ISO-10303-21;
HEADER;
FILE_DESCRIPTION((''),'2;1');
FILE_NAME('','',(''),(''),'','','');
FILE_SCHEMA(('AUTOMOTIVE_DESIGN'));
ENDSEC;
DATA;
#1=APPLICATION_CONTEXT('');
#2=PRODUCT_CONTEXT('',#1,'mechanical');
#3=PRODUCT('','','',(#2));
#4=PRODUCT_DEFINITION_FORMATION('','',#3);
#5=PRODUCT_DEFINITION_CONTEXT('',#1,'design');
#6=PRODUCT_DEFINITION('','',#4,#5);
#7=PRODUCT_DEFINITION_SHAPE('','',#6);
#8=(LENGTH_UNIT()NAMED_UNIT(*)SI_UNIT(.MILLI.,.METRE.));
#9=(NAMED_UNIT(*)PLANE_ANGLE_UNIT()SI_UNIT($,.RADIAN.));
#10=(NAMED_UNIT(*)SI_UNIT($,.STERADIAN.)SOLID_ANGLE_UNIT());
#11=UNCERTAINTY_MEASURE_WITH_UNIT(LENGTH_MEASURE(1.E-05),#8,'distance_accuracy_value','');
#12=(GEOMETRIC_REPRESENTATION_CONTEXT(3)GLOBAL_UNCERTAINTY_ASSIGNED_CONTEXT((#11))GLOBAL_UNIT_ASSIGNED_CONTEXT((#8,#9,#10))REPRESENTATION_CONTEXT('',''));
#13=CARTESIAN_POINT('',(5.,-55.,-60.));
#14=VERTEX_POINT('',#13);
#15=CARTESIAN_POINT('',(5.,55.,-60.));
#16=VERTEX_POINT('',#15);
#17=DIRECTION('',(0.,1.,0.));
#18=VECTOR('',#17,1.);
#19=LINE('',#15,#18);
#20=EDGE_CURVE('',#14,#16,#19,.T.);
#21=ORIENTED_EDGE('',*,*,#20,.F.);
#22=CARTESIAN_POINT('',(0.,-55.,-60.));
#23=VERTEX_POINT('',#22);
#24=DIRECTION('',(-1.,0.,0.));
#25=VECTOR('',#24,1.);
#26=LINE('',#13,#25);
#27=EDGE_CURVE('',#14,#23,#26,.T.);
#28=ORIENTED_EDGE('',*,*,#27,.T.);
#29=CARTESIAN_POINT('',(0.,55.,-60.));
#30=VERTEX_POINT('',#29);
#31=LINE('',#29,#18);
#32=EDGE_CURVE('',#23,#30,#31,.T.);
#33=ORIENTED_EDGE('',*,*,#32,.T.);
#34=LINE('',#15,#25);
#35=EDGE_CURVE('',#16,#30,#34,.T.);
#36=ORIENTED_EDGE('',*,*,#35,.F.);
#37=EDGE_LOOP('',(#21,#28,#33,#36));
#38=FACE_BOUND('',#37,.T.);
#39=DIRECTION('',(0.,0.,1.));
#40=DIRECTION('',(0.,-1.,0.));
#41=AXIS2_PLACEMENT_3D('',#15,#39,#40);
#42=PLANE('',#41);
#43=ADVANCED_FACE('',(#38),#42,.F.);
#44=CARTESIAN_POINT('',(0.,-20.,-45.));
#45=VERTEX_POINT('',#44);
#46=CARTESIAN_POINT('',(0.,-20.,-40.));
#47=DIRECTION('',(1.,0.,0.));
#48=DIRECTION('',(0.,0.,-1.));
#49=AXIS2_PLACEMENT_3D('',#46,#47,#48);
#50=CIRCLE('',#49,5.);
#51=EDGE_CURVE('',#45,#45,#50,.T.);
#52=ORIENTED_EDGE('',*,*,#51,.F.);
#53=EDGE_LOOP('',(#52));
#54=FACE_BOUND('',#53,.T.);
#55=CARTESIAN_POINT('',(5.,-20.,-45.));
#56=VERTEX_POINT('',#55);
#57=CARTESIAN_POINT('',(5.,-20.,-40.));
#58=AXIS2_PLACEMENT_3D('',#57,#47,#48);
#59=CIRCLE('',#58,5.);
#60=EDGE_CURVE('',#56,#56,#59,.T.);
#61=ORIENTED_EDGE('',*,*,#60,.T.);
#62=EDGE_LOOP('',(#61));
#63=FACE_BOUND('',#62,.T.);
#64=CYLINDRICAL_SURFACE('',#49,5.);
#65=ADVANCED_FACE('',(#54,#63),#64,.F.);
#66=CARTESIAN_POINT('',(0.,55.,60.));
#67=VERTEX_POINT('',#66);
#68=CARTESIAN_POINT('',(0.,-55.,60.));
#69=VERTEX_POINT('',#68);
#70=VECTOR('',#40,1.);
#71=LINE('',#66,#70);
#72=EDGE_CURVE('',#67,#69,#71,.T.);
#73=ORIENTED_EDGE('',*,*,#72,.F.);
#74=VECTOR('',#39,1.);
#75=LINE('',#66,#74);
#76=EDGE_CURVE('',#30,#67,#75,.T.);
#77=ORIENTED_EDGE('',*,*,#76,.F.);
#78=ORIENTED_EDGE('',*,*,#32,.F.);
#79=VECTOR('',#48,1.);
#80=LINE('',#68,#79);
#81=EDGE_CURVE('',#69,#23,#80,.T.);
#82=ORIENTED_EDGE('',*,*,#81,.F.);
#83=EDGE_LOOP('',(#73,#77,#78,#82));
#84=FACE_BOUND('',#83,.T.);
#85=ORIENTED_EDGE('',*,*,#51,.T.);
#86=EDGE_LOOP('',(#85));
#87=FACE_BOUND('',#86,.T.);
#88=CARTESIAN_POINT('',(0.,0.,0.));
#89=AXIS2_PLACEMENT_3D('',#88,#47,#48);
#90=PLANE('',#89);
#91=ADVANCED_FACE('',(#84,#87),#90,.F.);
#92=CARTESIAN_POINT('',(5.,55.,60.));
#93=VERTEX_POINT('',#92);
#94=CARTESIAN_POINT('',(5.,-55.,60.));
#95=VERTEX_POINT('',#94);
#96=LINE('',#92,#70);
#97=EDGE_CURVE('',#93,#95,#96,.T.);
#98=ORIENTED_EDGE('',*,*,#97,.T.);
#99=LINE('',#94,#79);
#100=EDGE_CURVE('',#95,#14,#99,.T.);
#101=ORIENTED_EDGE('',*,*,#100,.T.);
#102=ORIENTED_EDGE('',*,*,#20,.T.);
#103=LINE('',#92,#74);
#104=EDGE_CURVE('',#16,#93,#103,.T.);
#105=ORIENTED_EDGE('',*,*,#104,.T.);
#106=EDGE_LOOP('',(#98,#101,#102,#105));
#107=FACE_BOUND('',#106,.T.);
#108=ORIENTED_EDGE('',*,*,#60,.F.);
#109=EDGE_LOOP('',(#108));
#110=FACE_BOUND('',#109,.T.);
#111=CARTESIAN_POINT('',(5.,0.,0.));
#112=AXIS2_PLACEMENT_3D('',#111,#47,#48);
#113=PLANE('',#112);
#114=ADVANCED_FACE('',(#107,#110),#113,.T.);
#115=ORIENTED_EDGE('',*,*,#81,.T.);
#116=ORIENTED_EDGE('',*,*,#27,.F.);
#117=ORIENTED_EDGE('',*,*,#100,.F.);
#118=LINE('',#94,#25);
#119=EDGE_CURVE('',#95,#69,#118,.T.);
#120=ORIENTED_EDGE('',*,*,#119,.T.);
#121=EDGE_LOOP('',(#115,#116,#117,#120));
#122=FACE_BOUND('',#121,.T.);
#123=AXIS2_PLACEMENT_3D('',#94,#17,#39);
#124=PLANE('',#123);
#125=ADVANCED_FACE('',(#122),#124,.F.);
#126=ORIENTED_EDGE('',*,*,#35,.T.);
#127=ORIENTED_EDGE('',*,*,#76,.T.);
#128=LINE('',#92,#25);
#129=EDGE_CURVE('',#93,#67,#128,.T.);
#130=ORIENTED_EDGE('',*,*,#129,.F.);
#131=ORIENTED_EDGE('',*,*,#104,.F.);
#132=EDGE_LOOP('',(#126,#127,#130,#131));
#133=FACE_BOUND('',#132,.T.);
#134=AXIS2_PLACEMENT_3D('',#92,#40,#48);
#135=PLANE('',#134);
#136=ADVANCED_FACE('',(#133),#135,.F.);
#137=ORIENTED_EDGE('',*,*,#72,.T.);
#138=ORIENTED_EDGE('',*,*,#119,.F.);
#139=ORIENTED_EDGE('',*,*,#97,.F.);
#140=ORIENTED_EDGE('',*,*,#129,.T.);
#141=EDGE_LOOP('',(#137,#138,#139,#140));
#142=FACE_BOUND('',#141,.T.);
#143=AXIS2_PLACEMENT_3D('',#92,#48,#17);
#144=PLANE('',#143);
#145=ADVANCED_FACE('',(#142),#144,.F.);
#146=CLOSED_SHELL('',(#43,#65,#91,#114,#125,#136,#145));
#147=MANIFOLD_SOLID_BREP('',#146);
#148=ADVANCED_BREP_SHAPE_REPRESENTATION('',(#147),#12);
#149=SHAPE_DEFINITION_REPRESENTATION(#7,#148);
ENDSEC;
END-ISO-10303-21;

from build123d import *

# Parameters (mm, degrees)
SKETCH1_W           = 120
SKETCH1_H           = 110
BOSS_EXTRUDE1_DEPTH = 5
SKETCH2_R           = 5
CUT_EXTRUDE1_DEPTH  = 82.547532152


with BuildPart() as part:
    # Sketch1 → Boss-Extrude1 (new body)
    with BuildSketch(Plane(origin=(0, 0, 0), x_dir=(0, 0, -1), z_dir=(1, 0, 0))):
        Rectangle(SKETCH1_W, SKETCH1_H)
    extrude(amount=BOSS_EXTRUDE1_DEPTH)

    # Sketch2 → Cut-Extrude1 (cut, through all)
    with BuildSketch(Plane(origin=(5, 0, 0), x_dir=(0, 0, -1), z_dir=(1, 0, 0))):
        with Locations((40, -20)):
            Circle(SKETCH2_R)
    extrude(amount=-CUT_EXTRUDE1_DEPTH, mode=Mode.SUBTRACT)


solid = part.part
